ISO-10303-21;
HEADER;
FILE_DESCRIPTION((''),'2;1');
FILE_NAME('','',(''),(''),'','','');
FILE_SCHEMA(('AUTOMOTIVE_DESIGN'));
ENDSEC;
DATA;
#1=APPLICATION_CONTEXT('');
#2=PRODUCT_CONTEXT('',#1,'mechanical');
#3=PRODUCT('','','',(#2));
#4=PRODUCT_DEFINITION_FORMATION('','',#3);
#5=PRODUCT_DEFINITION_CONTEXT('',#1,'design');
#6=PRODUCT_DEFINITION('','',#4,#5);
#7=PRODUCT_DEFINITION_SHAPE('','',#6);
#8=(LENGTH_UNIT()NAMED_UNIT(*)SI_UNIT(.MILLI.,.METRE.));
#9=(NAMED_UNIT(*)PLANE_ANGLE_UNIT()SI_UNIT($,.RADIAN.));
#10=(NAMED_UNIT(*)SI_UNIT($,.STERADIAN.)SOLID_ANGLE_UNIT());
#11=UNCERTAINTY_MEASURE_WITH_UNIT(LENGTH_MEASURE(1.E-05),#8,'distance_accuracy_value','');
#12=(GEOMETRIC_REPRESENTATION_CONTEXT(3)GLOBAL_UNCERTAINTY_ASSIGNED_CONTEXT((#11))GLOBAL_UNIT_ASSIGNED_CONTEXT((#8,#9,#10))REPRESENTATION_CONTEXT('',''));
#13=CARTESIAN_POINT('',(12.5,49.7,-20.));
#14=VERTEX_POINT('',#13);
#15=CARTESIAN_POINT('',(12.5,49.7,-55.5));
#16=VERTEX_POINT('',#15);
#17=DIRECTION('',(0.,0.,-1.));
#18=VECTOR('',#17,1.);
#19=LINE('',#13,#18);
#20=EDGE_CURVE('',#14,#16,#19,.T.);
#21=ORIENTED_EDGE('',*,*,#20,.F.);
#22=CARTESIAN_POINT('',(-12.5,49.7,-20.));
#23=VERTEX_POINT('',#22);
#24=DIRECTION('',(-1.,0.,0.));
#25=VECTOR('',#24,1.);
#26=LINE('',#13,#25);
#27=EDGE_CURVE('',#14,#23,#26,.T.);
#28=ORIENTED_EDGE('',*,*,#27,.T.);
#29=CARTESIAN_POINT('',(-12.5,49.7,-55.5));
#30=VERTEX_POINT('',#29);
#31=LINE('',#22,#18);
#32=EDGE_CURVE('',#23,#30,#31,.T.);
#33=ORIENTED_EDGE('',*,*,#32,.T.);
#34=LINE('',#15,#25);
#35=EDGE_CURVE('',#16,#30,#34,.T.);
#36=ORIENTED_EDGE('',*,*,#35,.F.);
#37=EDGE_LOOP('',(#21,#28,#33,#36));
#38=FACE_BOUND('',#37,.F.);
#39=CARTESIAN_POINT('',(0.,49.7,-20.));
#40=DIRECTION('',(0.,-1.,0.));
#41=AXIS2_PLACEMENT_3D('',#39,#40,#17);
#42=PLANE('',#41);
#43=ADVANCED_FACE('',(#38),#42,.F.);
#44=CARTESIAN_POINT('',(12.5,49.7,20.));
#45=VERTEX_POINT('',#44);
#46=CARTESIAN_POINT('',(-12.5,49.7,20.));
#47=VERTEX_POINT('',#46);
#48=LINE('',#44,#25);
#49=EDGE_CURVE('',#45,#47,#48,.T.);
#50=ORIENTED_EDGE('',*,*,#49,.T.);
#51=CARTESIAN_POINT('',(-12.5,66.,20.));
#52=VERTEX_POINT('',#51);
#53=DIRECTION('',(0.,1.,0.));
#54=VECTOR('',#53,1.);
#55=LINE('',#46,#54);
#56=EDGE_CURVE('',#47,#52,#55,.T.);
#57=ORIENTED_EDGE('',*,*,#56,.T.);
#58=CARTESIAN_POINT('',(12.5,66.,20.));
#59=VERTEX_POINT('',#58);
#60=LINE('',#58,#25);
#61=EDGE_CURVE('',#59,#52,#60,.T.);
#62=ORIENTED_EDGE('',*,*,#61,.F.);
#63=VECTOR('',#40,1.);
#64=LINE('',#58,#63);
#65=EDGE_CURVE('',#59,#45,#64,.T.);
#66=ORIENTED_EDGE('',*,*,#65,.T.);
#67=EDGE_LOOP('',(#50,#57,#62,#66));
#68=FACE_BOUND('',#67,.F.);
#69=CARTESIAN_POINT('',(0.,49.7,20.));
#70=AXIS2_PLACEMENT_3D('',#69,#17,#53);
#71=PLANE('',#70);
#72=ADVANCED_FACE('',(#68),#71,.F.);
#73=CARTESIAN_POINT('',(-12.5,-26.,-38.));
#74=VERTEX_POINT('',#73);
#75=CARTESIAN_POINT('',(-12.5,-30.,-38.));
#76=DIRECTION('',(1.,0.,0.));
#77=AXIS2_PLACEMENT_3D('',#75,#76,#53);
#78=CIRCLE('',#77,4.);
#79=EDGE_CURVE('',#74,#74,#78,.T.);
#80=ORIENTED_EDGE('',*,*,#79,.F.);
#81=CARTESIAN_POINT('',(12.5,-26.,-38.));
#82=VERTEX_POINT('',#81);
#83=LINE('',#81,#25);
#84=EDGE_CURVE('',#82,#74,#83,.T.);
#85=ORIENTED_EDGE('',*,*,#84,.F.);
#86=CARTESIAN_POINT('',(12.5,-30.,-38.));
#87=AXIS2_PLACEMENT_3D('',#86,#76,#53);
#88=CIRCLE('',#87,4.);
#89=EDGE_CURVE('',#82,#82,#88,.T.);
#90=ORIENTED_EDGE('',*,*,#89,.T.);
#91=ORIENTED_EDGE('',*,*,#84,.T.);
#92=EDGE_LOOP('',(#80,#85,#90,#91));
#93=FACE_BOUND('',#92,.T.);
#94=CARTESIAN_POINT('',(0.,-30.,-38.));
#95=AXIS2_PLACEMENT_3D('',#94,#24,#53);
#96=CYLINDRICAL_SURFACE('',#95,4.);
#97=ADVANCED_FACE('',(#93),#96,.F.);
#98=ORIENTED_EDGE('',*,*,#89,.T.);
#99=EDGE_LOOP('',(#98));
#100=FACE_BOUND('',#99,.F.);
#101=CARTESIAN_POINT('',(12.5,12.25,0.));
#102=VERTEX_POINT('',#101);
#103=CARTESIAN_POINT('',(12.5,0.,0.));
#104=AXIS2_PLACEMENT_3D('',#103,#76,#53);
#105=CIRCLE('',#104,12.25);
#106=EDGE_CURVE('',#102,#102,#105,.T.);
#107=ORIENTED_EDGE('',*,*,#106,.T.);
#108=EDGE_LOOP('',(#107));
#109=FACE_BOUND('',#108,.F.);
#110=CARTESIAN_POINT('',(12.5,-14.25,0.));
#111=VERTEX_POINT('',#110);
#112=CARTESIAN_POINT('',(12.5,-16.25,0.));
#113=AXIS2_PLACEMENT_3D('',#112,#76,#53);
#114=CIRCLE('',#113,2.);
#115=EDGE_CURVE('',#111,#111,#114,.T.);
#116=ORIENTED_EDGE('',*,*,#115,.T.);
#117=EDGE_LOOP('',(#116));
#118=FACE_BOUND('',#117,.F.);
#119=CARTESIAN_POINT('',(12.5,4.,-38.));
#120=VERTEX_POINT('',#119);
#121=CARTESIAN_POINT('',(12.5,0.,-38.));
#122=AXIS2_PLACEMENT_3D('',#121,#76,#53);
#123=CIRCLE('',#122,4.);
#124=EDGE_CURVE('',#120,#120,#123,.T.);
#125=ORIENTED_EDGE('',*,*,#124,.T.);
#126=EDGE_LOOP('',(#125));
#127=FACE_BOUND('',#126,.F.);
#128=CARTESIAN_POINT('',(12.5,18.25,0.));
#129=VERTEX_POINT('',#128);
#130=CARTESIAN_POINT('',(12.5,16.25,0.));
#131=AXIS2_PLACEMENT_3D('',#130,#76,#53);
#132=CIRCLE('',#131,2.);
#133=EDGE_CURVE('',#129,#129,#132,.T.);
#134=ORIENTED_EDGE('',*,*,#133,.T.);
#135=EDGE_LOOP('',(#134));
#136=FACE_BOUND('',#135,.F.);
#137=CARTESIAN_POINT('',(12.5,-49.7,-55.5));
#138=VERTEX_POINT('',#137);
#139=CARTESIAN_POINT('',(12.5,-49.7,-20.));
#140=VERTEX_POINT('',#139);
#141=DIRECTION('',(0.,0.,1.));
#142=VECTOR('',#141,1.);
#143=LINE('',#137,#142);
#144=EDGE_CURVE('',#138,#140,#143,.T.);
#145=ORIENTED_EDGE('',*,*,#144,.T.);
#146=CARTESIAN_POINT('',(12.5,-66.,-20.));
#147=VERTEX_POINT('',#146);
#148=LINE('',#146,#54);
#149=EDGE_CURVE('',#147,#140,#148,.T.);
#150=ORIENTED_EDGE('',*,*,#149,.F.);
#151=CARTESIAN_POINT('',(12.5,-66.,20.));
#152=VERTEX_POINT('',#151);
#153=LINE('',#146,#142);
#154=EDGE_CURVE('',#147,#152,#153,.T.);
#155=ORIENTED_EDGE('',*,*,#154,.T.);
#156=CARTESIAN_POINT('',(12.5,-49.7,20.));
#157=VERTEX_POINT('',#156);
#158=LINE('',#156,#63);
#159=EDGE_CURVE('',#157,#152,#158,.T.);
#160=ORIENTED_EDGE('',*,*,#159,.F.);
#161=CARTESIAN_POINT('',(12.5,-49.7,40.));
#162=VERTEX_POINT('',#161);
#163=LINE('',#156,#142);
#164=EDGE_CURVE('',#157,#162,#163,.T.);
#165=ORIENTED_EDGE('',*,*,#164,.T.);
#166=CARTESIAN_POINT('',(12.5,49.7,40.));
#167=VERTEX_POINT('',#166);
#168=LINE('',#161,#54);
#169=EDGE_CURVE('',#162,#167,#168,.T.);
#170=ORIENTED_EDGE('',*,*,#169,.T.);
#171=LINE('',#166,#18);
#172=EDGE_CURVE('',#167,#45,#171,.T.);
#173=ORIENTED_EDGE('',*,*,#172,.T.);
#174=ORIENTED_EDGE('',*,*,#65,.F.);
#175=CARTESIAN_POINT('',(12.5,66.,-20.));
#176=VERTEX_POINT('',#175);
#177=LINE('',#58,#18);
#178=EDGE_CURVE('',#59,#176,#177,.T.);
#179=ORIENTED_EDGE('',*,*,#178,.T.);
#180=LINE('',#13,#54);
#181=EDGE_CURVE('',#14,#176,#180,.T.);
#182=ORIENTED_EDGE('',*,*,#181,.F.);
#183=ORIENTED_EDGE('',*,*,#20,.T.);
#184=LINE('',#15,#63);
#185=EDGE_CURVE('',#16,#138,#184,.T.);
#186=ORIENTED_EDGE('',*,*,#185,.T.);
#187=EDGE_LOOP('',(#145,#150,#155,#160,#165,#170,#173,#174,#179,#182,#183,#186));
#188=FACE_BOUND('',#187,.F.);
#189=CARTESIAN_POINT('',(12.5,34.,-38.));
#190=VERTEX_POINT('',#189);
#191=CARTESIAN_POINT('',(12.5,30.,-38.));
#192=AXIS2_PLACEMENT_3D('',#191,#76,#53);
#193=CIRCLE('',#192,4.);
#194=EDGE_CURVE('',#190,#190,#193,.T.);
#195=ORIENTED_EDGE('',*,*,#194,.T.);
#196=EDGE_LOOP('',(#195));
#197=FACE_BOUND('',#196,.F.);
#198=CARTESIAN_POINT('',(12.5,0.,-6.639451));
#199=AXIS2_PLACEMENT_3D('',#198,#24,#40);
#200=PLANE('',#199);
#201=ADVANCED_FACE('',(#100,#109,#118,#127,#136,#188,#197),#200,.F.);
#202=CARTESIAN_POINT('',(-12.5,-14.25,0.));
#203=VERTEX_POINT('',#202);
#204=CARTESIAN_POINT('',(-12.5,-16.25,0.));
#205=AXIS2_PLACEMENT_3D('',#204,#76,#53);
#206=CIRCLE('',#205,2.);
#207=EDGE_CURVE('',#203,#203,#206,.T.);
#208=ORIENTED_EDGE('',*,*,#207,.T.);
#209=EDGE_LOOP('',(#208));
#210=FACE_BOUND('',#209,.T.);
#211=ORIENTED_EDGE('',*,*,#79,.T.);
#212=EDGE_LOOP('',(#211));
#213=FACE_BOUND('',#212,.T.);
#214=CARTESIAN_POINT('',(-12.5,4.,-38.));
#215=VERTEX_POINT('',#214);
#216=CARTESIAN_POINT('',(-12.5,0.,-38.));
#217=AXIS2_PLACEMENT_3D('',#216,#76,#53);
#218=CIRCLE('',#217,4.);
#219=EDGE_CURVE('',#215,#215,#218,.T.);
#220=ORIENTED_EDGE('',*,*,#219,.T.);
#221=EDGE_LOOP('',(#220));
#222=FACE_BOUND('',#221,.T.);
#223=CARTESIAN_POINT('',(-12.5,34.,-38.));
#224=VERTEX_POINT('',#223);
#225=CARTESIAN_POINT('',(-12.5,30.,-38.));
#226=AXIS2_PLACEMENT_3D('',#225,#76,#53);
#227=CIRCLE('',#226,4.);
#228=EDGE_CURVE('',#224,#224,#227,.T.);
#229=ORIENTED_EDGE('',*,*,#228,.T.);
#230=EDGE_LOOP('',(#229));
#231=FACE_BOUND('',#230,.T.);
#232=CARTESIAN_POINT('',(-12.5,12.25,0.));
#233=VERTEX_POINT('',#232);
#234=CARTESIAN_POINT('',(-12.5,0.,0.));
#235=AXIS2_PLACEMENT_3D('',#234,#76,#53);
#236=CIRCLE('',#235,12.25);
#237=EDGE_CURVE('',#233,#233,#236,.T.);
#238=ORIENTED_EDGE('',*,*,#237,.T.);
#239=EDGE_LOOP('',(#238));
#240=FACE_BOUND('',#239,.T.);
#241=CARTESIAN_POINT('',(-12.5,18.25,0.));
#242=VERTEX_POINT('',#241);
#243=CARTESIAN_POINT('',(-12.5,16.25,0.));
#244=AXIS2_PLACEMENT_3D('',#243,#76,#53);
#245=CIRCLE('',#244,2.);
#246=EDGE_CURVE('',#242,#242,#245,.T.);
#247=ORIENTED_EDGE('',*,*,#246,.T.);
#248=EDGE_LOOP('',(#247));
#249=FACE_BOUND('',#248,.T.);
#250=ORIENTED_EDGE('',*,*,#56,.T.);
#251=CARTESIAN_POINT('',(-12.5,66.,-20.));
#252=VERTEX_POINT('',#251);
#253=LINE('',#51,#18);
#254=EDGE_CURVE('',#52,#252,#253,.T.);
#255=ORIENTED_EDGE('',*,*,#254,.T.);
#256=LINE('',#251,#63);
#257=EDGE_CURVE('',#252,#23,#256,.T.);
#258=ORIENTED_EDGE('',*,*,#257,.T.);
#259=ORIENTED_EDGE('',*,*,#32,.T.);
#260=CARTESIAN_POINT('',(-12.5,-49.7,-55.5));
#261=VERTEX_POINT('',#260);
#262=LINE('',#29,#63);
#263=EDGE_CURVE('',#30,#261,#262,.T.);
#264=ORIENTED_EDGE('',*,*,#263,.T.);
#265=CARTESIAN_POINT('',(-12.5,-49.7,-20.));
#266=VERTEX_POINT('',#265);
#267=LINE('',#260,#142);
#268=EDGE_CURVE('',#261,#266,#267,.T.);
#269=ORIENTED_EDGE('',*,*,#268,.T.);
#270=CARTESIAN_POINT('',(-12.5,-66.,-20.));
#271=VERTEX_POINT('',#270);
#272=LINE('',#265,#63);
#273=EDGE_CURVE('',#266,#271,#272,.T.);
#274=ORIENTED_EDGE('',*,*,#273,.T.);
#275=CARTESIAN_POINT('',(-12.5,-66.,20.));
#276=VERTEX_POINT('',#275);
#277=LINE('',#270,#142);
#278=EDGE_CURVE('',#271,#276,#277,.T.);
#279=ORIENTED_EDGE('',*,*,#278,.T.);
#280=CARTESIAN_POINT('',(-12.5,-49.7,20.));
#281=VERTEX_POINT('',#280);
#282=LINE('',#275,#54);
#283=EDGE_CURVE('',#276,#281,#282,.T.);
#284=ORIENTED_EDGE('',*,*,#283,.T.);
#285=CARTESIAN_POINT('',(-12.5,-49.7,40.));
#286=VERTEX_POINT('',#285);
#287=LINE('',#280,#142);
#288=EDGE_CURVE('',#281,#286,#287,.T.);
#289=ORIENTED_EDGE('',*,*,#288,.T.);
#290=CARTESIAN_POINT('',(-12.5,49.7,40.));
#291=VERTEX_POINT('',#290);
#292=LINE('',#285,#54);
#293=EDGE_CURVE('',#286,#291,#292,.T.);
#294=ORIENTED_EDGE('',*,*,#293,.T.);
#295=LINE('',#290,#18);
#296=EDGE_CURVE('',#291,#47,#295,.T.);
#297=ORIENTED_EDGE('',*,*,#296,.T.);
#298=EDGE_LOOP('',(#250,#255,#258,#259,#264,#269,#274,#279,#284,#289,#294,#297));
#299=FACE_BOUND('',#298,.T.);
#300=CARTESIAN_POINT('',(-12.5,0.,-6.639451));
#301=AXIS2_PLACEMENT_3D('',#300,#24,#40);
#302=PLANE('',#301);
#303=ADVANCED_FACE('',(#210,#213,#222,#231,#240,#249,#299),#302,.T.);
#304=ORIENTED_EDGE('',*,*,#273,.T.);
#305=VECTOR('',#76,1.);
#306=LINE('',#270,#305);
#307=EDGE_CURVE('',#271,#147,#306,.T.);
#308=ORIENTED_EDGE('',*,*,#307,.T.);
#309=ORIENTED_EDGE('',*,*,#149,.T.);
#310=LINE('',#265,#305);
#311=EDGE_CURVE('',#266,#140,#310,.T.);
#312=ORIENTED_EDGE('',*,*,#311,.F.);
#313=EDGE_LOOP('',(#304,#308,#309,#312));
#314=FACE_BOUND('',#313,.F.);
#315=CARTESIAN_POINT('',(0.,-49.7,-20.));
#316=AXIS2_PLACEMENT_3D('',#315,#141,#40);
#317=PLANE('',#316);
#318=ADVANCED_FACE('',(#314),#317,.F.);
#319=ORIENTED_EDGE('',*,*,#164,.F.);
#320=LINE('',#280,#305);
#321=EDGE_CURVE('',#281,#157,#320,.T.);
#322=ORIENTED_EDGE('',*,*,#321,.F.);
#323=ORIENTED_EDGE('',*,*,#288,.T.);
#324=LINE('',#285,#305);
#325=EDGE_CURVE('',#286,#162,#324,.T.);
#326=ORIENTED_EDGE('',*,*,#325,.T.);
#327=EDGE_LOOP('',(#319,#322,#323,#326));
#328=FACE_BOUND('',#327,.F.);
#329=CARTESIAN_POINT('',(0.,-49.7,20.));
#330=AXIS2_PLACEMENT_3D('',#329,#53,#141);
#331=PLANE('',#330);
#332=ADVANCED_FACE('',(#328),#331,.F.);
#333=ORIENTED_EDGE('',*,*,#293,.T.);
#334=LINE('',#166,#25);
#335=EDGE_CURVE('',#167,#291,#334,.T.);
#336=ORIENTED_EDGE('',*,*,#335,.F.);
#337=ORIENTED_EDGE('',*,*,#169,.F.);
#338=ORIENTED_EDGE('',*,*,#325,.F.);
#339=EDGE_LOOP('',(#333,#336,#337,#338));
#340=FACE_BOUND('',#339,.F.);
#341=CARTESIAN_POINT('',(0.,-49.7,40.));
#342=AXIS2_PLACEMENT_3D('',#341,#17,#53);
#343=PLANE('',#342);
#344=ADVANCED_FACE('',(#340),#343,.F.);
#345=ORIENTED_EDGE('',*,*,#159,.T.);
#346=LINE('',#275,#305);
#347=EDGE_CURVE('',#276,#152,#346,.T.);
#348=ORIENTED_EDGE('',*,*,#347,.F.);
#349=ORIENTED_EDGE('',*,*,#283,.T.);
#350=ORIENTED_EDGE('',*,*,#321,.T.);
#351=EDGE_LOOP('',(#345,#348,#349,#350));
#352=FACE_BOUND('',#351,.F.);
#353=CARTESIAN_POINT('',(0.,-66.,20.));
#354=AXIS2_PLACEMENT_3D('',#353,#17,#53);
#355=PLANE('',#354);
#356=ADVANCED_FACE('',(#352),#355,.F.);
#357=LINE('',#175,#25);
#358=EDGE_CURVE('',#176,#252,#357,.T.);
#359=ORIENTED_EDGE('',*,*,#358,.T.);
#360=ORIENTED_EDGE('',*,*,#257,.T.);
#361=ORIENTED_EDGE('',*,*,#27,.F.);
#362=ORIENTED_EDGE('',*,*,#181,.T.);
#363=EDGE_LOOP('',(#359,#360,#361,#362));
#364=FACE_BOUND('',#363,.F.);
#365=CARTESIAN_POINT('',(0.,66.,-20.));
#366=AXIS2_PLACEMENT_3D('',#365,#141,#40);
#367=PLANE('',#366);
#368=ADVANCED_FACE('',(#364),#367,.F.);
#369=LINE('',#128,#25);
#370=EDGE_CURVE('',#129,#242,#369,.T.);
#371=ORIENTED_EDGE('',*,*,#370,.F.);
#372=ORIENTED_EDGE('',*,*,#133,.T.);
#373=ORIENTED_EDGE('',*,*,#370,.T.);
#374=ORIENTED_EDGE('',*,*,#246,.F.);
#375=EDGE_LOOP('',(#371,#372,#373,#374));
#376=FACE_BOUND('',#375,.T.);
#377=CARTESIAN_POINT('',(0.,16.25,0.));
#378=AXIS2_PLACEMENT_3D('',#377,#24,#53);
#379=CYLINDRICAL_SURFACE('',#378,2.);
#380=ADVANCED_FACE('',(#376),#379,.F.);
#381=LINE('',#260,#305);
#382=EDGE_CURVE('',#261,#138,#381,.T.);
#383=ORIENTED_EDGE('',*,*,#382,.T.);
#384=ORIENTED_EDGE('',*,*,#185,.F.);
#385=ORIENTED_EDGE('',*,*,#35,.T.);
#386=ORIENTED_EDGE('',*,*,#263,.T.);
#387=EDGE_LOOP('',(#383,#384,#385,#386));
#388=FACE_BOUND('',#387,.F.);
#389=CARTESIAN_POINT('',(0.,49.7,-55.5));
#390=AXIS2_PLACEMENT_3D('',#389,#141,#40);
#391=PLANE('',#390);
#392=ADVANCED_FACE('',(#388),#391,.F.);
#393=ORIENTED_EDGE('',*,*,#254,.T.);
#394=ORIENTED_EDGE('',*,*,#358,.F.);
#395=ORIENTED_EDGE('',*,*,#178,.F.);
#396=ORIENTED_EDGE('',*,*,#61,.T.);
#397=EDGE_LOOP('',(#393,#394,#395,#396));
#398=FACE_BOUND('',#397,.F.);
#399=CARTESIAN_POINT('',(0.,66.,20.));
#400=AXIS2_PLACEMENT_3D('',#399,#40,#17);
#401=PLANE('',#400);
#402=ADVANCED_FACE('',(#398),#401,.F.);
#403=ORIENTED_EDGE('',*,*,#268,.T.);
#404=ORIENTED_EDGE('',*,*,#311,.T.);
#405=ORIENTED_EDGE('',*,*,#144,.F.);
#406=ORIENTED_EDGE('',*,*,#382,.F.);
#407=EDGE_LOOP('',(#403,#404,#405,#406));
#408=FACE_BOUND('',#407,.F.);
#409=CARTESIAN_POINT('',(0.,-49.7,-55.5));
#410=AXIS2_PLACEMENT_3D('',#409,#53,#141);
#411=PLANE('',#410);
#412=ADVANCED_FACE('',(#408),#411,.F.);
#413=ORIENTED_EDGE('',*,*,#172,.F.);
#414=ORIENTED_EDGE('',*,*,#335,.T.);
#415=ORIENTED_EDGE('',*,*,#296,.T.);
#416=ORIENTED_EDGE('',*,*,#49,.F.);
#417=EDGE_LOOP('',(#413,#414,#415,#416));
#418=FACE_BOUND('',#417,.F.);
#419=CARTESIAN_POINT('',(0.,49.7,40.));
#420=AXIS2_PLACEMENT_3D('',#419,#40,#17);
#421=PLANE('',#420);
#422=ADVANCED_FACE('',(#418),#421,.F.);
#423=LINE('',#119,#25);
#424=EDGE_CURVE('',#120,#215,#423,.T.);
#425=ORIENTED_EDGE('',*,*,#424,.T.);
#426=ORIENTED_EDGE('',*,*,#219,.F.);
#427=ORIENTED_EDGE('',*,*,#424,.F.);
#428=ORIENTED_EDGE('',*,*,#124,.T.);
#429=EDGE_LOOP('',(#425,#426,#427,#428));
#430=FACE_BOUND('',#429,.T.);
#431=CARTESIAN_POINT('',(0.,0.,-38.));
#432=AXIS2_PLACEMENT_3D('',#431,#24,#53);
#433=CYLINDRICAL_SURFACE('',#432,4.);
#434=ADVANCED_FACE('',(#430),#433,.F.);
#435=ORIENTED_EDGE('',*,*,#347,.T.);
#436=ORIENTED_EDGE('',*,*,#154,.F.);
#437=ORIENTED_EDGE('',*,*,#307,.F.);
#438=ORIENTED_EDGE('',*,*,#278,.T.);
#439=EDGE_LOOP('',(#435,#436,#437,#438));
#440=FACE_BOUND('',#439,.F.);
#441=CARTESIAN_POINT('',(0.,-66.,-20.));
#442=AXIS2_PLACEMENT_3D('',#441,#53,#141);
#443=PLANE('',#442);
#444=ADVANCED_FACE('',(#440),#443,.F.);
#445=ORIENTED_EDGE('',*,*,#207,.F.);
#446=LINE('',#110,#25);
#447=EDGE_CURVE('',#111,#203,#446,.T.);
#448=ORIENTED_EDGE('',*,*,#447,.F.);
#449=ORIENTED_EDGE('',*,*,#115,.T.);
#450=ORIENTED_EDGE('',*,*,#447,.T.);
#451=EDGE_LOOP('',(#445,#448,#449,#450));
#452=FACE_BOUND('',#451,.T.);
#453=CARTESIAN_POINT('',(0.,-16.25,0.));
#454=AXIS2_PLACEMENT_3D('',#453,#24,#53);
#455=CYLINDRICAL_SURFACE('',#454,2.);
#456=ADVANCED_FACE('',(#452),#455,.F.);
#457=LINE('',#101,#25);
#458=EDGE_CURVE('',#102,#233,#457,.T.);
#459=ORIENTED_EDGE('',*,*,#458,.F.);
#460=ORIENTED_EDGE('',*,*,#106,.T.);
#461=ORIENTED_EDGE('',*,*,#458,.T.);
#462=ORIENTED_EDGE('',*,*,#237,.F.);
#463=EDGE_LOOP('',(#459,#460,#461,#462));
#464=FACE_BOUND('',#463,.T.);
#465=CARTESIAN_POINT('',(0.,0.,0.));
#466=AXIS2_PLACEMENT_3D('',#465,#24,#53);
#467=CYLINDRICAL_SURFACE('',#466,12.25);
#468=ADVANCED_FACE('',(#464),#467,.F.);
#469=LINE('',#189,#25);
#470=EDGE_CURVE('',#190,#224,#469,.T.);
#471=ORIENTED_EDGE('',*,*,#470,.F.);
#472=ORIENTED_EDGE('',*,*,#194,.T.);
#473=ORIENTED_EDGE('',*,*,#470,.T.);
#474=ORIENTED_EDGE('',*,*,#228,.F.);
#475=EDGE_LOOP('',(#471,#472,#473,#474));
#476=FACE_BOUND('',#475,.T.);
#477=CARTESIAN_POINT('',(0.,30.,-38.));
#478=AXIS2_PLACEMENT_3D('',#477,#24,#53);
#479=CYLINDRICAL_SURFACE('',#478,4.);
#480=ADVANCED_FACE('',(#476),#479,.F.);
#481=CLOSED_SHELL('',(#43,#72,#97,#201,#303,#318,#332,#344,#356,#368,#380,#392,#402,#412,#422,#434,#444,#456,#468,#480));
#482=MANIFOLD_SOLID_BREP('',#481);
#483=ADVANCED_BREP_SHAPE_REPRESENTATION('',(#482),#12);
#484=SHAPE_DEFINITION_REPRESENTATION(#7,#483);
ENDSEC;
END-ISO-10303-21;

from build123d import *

# Parameters (mm, degrees)
SKETCH_R      = 12.25
SKETCH_R_2    = 2
SKETCH_R_3    = 4
PAD_DEPTH     = 12.5
SKETCH001_W   = 8
SKETCH001_H   = 40
PAD001_DEPTH  = 12.5
SKETCH002_W   = 8
SKETCH002_H   = 40
PAD002_DEPTH  = 12.5
SKETCH003_R   = 20.25
SKETCH003_R_2 = 12.25
SKETCH003_R_3 = 2
PAD003_DEPTH  = 12.5


with BuildPart() as part:
    # Sketch → Pad (new body, symmetric)
    with BuildSketch(Plane.YZ):
        Polygon((-49.7, 40), (49.7, 40), (49.7, 20), (66, 20), (66, -20), (49.7, -20), (49.7, -55.5), (-49.7, -55.5), (-49.7, -20), (-66, -20), (-66, 20), (-49.7, 20), align=None)
        Circle(SKETCH_R, mode=Mode.SUBTRACT)
        with Locations((-16.25, 0)):
            Circle(SKETCH_R_2, mode=Mode.SUBTRACT)
        with Locations((16.25, 0)):
            Circle(SKETCH_R_2, mode=Mode.SUBTRACT)
        with Locations((0, -38)):
            Circle(SKETCH_R_3, mode=Mode.SUBTRACT)
        with Locations((-30, -38)):
            Circle(SKETCH_R_3, mode=Mode.SUBTRACT)
        with Locations((30, -38)):
            Circle(SKETCH_R_3, mode=Mode.SUBTRACT)
    extrude(amount=PAD_DEPTH, both=True)

    # Sketch001 → Pad001 (join, symmetric)
    with BuildSketch(Plane.YZ):
        with Locations((-54, 0)):
            Rectangle(SKETCH001_W, SKETCH001_H)
    extrude(amount=PAD001_DEPTH, both=True)

    # Sketch002 → Pad002 (join, symmetric)
    with BuildSketch(Plane.YZ):
        with Locations((54, 0)):
            Rectangle(SKETCH002_W, SKETCH002_H)
    extrude(amount=PAD002_DEPTH, both=True)

    # Sketch003 → Pad003 (join, symmetric)
    with BuildSketch(Plane.YZ):
        Circle(SKETCH003_R)
        Circle(SKETCH003_R_2, mode=Mode.SUBTRACT)
        with Locations((-16.25, 0)):
            Circle(SKETCH003_R_3, mode=Mode.SUBTRACT)
        with Locations((16.25, 0)):
            Circle(SKETCH003_R_3, mode=Mode.SUBTRACT)
    extrude(amount=PAD003_DEPTH, both=True)


solid = part.part
